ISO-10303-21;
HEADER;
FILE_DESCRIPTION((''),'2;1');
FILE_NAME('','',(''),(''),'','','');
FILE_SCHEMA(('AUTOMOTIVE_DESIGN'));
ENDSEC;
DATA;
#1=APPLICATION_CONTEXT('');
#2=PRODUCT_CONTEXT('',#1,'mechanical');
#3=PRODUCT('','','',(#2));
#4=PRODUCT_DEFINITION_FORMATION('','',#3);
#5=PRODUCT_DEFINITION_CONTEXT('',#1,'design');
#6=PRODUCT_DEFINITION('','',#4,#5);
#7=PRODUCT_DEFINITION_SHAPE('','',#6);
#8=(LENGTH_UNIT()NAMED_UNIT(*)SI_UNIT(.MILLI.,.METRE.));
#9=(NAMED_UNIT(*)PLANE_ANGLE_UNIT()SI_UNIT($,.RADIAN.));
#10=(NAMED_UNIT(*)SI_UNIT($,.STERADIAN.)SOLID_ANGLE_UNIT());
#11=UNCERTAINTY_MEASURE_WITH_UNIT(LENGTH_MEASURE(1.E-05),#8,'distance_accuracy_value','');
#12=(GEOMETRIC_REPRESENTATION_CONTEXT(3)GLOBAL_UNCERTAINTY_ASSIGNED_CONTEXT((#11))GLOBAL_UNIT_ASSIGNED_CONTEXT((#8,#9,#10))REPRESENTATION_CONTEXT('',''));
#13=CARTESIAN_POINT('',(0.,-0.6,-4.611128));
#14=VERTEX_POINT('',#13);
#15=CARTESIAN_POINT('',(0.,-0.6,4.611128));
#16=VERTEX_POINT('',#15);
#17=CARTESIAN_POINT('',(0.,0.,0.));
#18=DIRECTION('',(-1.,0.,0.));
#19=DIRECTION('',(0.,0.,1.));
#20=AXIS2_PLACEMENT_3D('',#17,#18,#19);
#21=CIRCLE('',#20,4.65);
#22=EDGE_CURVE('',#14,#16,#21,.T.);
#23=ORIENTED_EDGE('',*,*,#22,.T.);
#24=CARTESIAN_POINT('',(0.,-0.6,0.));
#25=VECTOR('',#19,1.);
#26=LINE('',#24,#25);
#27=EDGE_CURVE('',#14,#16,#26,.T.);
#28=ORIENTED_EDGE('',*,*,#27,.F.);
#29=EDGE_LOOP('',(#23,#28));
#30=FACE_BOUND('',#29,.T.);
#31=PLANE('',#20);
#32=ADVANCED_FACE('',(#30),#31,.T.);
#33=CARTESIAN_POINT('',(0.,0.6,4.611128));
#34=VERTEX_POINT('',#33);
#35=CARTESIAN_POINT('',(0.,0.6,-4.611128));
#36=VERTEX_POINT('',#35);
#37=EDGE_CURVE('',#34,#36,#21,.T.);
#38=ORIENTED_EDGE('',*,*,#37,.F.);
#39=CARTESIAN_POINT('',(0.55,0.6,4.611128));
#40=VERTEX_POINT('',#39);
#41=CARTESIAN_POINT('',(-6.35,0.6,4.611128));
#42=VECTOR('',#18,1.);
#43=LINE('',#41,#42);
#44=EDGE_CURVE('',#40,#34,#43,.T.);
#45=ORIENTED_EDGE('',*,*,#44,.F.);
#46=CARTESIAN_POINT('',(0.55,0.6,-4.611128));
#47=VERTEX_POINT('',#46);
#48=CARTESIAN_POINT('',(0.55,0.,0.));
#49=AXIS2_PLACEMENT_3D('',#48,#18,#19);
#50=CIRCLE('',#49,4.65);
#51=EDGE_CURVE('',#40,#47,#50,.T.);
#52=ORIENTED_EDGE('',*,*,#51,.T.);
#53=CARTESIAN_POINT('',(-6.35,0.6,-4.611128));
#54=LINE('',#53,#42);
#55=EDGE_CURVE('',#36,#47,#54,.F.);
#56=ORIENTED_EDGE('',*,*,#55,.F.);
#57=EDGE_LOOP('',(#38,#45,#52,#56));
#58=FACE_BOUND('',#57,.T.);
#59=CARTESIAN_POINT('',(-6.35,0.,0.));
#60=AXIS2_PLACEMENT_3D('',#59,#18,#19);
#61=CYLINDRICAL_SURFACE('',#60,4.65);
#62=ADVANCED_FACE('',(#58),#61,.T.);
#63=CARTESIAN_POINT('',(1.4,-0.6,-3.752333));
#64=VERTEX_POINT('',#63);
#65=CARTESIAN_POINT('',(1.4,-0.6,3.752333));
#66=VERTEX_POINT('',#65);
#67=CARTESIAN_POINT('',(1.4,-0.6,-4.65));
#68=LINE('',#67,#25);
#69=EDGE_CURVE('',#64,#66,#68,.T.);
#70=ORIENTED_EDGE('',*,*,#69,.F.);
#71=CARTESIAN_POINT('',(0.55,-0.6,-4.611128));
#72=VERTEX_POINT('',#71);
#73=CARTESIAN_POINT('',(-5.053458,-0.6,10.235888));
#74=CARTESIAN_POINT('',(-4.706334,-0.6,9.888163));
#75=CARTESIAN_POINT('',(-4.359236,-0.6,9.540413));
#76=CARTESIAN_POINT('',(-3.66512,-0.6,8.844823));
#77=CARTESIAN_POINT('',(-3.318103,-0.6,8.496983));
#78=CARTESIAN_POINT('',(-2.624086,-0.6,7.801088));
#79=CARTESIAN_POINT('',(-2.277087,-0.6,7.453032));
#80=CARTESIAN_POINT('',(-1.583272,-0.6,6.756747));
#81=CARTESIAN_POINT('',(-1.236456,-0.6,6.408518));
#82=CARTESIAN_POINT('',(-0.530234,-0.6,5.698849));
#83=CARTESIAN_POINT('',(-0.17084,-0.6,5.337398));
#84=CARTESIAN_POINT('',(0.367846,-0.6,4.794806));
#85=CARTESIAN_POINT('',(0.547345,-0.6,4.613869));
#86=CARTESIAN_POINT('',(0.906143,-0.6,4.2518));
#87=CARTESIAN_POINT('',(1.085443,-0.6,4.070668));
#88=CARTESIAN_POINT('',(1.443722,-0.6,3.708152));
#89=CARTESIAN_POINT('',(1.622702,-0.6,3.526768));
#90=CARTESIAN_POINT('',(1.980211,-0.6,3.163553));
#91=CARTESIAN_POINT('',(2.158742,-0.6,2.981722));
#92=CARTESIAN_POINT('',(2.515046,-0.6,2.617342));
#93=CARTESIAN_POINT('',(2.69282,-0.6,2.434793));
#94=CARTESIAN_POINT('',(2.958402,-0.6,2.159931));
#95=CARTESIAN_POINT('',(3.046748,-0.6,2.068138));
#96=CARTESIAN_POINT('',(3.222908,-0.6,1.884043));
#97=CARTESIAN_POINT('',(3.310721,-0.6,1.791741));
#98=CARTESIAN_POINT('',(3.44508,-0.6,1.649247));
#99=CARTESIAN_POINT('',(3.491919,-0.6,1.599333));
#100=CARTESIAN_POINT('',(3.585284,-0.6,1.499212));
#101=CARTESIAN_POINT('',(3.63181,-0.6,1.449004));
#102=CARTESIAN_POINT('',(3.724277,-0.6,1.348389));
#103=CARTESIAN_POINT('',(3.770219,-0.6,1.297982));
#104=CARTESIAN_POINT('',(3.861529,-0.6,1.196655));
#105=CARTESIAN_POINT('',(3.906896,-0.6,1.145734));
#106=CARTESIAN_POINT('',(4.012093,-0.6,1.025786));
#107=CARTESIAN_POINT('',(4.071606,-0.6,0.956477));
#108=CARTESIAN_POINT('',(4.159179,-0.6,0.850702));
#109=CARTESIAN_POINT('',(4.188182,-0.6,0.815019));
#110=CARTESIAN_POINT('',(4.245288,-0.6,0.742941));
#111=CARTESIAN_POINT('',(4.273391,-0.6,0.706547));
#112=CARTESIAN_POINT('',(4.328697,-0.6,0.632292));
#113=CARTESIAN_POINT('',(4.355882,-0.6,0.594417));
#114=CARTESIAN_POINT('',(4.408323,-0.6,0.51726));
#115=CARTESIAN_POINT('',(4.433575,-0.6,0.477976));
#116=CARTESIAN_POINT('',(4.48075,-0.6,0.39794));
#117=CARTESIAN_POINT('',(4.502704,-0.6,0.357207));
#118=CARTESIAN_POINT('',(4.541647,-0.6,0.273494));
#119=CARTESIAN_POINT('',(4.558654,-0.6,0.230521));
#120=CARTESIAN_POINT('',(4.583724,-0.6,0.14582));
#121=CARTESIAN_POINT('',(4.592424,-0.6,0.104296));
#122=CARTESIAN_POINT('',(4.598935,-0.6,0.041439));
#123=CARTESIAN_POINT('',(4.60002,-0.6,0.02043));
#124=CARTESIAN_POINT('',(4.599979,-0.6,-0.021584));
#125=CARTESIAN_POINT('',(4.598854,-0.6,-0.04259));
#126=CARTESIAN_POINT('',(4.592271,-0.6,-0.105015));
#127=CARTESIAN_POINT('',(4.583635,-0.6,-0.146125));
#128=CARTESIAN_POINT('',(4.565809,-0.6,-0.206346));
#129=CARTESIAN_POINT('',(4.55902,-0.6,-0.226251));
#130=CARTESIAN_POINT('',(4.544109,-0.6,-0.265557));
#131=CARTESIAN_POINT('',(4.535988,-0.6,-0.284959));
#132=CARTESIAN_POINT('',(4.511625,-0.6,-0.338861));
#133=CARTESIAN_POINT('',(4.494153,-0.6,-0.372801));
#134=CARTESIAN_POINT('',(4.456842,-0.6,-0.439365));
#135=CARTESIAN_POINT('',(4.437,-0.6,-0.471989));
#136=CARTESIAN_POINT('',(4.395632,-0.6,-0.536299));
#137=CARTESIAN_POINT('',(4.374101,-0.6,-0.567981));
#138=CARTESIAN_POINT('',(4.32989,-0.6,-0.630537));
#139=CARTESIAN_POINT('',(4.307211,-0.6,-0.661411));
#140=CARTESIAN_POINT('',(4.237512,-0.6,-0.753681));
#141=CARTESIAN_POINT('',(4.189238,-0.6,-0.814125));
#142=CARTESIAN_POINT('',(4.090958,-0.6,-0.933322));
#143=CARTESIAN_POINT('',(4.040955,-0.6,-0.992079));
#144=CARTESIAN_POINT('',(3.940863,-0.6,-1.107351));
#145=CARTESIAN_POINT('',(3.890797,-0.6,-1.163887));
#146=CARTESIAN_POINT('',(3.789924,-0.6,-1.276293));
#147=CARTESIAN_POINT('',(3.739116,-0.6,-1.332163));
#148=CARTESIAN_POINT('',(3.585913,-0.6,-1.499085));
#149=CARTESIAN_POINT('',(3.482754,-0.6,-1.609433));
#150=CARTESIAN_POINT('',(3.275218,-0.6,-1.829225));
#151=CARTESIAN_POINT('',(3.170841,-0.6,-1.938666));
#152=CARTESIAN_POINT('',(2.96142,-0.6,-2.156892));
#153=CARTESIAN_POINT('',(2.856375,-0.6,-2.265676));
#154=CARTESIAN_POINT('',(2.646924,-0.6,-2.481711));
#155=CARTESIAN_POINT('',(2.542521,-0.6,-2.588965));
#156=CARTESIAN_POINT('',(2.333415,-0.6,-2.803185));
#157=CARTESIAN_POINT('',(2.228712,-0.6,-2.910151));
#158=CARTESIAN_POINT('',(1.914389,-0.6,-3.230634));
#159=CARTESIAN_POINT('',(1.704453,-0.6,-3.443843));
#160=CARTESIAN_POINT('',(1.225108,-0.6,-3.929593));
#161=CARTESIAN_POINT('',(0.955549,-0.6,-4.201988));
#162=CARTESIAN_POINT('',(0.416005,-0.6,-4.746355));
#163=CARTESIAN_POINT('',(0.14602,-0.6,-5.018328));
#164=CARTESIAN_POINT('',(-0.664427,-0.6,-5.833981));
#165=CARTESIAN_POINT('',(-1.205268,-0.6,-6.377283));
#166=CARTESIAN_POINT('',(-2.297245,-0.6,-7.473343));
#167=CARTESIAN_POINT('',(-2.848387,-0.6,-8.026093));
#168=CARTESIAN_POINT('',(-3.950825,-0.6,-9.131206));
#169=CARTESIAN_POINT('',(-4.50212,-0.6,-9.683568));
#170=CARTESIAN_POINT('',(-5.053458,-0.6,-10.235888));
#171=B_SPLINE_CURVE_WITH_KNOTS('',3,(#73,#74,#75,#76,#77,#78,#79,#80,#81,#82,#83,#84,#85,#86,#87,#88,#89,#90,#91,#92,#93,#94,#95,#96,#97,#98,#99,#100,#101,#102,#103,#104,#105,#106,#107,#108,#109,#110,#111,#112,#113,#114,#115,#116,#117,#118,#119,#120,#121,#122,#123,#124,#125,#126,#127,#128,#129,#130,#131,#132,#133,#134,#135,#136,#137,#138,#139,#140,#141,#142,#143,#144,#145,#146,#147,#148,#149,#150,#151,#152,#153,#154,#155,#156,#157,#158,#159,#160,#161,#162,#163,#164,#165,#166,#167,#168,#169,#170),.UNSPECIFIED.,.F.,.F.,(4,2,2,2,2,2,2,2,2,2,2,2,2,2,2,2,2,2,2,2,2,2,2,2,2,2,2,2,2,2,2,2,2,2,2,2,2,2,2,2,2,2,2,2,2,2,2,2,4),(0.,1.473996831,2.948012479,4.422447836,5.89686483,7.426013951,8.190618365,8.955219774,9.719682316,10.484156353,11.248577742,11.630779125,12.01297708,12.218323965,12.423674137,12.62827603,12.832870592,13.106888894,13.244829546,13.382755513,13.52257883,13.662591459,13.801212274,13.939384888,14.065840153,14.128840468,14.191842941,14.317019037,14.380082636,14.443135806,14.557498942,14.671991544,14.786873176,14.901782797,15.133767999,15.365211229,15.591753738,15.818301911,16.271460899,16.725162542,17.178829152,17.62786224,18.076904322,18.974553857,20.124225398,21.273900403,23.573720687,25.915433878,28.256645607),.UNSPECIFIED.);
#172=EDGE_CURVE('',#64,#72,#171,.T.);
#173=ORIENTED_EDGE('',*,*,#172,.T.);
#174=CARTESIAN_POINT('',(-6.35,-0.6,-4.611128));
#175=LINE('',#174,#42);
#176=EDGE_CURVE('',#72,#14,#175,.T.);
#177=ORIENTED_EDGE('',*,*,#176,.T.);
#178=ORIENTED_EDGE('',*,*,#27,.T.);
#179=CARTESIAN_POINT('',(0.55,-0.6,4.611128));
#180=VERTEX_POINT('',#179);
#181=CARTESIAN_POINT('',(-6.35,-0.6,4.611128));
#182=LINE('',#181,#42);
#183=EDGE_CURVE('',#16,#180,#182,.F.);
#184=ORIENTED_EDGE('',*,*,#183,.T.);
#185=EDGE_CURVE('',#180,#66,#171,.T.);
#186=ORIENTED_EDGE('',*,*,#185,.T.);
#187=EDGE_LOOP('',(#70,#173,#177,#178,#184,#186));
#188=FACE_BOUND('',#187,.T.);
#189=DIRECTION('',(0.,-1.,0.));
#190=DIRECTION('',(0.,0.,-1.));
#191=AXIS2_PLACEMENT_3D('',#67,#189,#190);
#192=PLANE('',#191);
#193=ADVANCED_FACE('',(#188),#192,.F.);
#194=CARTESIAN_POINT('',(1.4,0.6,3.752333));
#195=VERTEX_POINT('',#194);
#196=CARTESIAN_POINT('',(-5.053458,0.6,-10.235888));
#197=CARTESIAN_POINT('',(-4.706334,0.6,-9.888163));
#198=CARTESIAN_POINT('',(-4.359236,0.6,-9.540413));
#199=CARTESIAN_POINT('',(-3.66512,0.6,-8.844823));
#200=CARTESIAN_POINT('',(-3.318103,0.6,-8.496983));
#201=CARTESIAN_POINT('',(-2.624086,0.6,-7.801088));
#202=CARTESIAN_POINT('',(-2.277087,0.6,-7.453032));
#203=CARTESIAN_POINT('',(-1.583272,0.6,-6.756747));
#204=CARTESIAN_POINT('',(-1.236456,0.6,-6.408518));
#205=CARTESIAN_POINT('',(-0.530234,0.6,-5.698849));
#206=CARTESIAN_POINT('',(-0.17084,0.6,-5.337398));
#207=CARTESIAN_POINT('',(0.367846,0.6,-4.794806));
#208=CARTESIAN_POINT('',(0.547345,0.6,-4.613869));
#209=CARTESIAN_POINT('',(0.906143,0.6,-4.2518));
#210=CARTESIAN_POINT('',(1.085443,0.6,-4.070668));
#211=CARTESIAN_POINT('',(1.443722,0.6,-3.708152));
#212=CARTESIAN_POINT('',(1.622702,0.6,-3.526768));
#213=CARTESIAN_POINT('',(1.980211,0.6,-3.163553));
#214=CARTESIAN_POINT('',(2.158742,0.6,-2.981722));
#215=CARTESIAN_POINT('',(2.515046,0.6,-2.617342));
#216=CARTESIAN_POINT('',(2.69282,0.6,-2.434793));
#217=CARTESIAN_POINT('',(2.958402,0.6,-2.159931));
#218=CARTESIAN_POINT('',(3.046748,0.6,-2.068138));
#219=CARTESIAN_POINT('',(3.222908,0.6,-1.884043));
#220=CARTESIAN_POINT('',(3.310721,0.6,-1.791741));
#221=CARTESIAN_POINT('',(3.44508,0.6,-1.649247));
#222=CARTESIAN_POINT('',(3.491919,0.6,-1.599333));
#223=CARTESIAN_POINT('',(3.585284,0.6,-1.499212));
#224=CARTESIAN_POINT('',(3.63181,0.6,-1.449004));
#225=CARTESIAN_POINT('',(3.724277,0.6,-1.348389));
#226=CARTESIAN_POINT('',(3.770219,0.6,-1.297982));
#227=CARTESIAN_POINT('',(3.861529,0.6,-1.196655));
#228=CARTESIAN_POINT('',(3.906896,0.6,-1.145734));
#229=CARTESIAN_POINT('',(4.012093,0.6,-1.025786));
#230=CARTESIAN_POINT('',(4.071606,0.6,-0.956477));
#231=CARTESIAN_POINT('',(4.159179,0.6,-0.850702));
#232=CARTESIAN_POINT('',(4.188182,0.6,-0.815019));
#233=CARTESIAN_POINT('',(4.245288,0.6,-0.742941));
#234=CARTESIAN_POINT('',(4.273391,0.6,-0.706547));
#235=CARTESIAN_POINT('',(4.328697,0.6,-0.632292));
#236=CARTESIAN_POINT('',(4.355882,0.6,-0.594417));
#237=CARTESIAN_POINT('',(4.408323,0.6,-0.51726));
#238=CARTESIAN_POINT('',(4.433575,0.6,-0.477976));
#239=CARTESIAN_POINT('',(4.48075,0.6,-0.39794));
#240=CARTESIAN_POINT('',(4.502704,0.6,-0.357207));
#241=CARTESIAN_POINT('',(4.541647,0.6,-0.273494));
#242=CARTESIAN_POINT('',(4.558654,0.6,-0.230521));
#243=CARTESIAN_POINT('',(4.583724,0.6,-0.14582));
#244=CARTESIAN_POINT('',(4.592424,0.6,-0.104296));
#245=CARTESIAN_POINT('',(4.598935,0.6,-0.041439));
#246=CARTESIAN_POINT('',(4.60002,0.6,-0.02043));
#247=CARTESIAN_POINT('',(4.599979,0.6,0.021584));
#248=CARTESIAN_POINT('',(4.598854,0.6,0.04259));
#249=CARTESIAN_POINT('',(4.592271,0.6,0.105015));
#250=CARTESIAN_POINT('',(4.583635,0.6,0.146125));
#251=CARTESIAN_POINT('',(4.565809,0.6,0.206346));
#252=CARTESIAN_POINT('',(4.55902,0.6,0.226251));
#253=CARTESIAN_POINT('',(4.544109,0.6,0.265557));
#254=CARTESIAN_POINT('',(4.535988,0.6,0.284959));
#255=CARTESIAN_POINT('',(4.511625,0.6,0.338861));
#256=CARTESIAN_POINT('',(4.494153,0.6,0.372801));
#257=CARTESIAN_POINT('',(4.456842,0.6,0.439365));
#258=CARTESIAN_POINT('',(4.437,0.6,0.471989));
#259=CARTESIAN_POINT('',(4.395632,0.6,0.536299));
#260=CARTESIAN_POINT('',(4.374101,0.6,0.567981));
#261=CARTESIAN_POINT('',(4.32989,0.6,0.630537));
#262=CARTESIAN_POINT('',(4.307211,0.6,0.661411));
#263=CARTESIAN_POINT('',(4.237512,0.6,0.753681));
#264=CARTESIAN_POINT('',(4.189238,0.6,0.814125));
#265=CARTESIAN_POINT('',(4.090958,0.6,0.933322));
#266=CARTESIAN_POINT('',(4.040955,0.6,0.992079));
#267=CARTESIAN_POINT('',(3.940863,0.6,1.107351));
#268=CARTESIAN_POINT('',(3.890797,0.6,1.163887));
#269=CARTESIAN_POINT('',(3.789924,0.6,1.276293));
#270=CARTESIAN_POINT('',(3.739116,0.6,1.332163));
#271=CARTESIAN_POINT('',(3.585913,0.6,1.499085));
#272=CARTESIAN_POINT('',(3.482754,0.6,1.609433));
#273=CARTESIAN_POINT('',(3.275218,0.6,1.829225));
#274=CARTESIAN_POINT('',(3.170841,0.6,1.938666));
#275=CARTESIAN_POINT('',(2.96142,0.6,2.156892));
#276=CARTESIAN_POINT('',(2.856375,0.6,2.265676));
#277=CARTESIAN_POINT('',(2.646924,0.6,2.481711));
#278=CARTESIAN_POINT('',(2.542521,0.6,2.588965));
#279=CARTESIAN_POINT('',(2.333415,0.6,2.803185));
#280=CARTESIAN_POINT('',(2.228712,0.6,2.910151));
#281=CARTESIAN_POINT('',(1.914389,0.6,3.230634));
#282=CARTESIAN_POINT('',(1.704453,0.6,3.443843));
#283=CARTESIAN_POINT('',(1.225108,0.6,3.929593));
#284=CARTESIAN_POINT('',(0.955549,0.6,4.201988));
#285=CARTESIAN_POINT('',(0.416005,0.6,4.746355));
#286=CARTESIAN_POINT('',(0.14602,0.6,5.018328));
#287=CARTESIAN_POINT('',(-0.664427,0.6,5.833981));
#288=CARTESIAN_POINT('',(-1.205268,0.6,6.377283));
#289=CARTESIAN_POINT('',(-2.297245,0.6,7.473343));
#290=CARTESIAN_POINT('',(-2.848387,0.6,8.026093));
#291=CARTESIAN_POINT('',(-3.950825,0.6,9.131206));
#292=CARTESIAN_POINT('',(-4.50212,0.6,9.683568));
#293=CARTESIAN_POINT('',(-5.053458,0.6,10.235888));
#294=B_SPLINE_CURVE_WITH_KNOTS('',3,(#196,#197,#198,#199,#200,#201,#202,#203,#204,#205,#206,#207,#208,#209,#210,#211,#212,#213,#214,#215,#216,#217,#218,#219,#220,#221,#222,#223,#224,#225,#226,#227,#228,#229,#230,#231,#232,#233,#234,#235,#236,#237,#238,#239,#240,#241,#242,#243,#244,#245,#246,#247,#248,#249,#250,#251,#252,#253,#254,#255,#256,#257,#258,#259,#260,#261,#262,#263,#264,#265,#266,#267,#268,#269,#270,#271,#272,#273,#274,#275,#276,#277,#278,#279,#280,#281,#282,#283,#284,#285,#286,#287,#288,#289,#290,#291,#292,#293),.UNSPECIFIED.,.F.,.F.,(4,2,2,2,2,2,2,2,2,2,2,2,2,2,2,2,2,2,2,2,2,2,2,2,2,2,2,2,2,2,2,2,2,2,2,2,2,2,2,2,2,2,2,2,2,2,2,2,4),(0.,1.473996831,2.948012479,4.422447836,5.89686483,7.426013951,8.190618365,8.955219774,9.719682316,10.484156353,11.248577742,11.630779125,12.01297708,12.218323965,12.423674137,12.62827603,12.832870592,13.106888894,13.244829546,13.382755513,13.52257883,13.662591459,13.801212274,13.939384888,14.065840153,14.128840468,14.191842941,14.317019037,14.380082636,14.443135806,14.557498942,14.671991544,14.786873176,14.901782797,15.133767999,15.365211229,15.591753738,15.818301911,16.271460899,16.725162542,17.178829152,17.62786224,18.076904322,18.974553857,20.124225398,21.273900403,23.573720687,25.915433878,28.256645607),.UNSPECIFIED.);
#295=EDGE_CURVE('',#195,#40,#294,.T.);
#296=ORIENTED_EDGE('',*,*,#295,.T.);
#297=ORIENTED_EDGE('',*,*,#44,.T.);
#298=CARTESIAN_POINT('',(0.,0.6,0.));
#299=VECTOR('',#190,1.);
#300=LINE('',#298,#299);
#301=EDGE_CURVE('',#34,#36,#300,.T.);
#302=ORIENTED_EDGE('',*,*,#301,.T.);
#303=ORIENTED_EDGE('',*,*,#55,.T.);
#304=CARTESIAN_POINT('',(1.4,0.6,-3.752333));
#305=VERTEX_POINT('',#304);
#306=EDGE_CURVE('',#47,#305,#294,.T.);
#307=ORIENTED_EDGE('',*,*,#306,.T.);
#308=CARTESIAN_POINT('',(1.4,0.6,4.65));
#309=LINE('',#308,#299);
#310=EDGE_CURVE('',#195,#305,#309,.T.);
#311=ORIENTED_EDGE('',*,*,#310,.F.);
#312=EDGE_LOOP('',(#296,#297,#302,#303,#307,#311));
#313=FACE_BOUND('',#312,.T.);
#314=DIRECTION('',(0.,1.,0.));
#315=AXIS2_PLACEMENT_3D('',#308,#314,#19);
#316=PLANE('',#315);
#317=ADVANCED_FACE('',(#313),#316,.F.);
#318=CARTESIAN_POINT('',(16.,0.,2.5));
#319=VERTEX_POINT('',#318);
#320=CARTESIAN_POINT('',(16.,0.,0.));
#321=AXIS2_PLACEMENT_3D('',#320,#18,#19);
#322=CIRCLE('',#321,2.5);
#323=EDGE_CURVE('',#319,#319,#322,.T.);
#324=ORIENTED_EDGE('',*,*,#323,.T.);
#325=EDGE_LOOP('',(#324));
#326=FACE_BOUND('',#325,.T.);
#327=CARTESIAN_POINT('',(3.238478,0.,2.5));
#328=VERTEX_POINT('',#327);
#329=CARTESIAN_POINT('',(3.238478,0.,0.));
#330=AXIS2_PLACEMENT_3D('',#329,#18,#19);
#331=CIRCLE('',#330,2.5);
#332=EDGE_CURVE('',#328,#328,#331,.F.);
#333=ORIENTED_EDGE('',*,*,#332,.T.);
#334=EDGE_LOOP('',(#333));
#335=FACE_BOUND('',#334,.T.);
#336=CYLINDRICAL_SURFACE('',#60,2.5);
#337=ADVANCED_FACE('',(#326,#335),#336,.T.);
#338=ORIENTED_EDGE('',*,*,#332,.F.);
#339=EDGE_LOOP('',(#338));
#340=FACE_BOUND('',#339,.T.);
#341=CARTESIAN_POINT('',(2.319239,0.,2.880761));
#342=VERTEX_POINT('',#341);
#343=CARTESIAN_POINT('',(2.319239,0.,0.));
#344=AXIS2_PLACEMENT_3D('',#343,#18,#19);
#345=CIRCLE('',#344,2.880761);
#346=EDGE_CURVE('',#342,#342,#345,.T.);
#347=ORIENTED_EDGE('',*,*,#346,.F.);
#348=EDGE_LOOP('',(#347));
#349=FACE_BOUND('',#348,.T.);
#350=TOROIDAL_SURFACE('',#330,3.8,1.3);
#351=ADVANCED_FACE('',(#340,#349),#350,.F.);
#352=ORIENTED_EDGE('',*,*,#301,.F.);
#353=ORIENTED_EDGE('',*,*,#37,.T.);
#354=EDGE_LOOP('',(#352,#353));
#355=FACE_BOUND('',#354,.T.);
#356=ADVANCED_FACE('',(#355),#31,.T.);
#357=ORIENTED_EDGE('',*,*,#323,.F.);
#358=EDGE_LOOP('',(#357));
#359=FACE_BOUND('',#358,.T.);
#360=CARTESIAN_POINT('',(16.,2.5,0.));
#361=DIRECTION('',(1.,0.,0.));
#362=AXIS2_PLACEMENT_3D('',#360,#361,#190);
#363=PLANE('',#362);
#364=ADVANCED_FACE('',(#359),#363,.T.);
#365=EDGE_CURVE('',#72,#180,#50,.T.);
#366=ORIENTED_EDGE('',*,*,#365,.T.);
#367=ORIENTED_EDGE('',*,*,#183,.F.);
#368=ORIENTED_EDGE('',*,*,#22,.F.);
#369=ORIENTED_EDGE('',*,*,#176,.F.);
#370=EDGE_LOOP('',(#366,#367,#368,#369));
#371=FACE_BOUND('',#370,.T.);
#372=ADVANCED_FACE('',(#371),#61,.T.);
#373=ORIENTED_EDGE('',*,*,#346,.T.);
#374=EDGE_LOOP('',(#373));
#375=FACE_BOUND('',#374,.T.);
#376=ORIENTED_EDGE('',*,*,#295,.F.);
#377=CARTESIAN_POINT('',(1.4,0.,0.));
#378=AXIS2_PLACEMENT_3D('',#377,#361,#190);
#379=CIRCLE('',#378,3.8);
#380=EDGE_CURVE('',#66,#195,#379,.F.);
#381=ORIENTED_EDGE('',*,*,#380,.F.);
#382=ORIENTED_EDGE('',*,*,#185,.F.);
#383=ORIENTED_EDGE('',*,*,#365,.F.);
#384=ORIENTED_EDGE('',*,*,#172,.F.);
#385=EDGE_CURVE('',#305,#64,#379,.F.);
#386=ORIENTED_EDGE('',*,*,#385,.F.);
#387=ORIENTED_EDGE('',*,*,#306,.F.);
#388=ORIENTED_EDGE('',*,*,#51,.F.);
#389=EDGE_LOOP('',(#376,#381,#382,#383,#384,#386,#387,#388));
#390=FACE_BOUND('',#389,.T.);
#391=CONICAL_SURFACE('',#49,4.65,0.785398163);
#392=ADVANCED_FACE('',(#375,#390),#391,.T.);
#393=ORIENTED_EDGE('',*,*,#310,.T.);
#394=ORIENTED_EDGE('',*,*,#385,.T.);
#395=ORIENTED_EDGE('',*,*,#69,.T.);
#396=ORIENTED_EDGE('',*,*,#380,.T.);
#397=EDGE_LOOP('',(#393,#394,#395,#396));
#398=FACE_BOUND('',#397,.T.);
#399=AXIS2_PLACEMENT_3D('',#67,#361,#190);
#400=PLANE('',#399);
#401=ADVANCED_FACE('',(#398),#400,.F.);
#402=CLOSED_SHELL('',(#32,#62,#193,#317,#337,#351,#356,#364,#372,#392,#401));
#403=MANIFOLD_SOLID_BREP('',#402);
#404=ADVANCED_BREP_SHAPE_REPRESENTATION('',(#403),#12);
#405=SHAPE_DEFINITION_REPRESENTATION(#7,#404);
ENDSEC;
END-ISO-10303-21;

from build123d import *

# Parameters (mm, degrees)
FILLET1_R  = 1.3
SKETCH2_W  = 9.3
SKETCH2_H  = 1.2
SLOT_DEPTH = 1.4


with BuildPart() as part:
    # BodySke → Base-Revolve (revolve)
    with BuildSketch(Plane.XY):
        Polygon((0, 0), (0, 4.65), (0.55, 4.65), (2.7, 2.5), (16, 2.5), (16, 0), align=None)
    revolve(axis=Axis((-6.35, 0, 0), (1, 0, 0)))

    # Fillet1
    fillet1_edges = [part.edges().sort_by_distance(p)[0] for p in [
        (2.7, -2.5, 0),
    ]]
    fillet(fillet1_edges, radius=FILLET1_R)

    # Sketch2 → Slot (cut)
    with BuildSketch(Plane.ZY):
        Rectangle(SKETCH2_W, SKETCH2_H)
    extrude(amount=-SLOT_DEPTH, mode=Mode.SUBTRACT)


solid = part.part
